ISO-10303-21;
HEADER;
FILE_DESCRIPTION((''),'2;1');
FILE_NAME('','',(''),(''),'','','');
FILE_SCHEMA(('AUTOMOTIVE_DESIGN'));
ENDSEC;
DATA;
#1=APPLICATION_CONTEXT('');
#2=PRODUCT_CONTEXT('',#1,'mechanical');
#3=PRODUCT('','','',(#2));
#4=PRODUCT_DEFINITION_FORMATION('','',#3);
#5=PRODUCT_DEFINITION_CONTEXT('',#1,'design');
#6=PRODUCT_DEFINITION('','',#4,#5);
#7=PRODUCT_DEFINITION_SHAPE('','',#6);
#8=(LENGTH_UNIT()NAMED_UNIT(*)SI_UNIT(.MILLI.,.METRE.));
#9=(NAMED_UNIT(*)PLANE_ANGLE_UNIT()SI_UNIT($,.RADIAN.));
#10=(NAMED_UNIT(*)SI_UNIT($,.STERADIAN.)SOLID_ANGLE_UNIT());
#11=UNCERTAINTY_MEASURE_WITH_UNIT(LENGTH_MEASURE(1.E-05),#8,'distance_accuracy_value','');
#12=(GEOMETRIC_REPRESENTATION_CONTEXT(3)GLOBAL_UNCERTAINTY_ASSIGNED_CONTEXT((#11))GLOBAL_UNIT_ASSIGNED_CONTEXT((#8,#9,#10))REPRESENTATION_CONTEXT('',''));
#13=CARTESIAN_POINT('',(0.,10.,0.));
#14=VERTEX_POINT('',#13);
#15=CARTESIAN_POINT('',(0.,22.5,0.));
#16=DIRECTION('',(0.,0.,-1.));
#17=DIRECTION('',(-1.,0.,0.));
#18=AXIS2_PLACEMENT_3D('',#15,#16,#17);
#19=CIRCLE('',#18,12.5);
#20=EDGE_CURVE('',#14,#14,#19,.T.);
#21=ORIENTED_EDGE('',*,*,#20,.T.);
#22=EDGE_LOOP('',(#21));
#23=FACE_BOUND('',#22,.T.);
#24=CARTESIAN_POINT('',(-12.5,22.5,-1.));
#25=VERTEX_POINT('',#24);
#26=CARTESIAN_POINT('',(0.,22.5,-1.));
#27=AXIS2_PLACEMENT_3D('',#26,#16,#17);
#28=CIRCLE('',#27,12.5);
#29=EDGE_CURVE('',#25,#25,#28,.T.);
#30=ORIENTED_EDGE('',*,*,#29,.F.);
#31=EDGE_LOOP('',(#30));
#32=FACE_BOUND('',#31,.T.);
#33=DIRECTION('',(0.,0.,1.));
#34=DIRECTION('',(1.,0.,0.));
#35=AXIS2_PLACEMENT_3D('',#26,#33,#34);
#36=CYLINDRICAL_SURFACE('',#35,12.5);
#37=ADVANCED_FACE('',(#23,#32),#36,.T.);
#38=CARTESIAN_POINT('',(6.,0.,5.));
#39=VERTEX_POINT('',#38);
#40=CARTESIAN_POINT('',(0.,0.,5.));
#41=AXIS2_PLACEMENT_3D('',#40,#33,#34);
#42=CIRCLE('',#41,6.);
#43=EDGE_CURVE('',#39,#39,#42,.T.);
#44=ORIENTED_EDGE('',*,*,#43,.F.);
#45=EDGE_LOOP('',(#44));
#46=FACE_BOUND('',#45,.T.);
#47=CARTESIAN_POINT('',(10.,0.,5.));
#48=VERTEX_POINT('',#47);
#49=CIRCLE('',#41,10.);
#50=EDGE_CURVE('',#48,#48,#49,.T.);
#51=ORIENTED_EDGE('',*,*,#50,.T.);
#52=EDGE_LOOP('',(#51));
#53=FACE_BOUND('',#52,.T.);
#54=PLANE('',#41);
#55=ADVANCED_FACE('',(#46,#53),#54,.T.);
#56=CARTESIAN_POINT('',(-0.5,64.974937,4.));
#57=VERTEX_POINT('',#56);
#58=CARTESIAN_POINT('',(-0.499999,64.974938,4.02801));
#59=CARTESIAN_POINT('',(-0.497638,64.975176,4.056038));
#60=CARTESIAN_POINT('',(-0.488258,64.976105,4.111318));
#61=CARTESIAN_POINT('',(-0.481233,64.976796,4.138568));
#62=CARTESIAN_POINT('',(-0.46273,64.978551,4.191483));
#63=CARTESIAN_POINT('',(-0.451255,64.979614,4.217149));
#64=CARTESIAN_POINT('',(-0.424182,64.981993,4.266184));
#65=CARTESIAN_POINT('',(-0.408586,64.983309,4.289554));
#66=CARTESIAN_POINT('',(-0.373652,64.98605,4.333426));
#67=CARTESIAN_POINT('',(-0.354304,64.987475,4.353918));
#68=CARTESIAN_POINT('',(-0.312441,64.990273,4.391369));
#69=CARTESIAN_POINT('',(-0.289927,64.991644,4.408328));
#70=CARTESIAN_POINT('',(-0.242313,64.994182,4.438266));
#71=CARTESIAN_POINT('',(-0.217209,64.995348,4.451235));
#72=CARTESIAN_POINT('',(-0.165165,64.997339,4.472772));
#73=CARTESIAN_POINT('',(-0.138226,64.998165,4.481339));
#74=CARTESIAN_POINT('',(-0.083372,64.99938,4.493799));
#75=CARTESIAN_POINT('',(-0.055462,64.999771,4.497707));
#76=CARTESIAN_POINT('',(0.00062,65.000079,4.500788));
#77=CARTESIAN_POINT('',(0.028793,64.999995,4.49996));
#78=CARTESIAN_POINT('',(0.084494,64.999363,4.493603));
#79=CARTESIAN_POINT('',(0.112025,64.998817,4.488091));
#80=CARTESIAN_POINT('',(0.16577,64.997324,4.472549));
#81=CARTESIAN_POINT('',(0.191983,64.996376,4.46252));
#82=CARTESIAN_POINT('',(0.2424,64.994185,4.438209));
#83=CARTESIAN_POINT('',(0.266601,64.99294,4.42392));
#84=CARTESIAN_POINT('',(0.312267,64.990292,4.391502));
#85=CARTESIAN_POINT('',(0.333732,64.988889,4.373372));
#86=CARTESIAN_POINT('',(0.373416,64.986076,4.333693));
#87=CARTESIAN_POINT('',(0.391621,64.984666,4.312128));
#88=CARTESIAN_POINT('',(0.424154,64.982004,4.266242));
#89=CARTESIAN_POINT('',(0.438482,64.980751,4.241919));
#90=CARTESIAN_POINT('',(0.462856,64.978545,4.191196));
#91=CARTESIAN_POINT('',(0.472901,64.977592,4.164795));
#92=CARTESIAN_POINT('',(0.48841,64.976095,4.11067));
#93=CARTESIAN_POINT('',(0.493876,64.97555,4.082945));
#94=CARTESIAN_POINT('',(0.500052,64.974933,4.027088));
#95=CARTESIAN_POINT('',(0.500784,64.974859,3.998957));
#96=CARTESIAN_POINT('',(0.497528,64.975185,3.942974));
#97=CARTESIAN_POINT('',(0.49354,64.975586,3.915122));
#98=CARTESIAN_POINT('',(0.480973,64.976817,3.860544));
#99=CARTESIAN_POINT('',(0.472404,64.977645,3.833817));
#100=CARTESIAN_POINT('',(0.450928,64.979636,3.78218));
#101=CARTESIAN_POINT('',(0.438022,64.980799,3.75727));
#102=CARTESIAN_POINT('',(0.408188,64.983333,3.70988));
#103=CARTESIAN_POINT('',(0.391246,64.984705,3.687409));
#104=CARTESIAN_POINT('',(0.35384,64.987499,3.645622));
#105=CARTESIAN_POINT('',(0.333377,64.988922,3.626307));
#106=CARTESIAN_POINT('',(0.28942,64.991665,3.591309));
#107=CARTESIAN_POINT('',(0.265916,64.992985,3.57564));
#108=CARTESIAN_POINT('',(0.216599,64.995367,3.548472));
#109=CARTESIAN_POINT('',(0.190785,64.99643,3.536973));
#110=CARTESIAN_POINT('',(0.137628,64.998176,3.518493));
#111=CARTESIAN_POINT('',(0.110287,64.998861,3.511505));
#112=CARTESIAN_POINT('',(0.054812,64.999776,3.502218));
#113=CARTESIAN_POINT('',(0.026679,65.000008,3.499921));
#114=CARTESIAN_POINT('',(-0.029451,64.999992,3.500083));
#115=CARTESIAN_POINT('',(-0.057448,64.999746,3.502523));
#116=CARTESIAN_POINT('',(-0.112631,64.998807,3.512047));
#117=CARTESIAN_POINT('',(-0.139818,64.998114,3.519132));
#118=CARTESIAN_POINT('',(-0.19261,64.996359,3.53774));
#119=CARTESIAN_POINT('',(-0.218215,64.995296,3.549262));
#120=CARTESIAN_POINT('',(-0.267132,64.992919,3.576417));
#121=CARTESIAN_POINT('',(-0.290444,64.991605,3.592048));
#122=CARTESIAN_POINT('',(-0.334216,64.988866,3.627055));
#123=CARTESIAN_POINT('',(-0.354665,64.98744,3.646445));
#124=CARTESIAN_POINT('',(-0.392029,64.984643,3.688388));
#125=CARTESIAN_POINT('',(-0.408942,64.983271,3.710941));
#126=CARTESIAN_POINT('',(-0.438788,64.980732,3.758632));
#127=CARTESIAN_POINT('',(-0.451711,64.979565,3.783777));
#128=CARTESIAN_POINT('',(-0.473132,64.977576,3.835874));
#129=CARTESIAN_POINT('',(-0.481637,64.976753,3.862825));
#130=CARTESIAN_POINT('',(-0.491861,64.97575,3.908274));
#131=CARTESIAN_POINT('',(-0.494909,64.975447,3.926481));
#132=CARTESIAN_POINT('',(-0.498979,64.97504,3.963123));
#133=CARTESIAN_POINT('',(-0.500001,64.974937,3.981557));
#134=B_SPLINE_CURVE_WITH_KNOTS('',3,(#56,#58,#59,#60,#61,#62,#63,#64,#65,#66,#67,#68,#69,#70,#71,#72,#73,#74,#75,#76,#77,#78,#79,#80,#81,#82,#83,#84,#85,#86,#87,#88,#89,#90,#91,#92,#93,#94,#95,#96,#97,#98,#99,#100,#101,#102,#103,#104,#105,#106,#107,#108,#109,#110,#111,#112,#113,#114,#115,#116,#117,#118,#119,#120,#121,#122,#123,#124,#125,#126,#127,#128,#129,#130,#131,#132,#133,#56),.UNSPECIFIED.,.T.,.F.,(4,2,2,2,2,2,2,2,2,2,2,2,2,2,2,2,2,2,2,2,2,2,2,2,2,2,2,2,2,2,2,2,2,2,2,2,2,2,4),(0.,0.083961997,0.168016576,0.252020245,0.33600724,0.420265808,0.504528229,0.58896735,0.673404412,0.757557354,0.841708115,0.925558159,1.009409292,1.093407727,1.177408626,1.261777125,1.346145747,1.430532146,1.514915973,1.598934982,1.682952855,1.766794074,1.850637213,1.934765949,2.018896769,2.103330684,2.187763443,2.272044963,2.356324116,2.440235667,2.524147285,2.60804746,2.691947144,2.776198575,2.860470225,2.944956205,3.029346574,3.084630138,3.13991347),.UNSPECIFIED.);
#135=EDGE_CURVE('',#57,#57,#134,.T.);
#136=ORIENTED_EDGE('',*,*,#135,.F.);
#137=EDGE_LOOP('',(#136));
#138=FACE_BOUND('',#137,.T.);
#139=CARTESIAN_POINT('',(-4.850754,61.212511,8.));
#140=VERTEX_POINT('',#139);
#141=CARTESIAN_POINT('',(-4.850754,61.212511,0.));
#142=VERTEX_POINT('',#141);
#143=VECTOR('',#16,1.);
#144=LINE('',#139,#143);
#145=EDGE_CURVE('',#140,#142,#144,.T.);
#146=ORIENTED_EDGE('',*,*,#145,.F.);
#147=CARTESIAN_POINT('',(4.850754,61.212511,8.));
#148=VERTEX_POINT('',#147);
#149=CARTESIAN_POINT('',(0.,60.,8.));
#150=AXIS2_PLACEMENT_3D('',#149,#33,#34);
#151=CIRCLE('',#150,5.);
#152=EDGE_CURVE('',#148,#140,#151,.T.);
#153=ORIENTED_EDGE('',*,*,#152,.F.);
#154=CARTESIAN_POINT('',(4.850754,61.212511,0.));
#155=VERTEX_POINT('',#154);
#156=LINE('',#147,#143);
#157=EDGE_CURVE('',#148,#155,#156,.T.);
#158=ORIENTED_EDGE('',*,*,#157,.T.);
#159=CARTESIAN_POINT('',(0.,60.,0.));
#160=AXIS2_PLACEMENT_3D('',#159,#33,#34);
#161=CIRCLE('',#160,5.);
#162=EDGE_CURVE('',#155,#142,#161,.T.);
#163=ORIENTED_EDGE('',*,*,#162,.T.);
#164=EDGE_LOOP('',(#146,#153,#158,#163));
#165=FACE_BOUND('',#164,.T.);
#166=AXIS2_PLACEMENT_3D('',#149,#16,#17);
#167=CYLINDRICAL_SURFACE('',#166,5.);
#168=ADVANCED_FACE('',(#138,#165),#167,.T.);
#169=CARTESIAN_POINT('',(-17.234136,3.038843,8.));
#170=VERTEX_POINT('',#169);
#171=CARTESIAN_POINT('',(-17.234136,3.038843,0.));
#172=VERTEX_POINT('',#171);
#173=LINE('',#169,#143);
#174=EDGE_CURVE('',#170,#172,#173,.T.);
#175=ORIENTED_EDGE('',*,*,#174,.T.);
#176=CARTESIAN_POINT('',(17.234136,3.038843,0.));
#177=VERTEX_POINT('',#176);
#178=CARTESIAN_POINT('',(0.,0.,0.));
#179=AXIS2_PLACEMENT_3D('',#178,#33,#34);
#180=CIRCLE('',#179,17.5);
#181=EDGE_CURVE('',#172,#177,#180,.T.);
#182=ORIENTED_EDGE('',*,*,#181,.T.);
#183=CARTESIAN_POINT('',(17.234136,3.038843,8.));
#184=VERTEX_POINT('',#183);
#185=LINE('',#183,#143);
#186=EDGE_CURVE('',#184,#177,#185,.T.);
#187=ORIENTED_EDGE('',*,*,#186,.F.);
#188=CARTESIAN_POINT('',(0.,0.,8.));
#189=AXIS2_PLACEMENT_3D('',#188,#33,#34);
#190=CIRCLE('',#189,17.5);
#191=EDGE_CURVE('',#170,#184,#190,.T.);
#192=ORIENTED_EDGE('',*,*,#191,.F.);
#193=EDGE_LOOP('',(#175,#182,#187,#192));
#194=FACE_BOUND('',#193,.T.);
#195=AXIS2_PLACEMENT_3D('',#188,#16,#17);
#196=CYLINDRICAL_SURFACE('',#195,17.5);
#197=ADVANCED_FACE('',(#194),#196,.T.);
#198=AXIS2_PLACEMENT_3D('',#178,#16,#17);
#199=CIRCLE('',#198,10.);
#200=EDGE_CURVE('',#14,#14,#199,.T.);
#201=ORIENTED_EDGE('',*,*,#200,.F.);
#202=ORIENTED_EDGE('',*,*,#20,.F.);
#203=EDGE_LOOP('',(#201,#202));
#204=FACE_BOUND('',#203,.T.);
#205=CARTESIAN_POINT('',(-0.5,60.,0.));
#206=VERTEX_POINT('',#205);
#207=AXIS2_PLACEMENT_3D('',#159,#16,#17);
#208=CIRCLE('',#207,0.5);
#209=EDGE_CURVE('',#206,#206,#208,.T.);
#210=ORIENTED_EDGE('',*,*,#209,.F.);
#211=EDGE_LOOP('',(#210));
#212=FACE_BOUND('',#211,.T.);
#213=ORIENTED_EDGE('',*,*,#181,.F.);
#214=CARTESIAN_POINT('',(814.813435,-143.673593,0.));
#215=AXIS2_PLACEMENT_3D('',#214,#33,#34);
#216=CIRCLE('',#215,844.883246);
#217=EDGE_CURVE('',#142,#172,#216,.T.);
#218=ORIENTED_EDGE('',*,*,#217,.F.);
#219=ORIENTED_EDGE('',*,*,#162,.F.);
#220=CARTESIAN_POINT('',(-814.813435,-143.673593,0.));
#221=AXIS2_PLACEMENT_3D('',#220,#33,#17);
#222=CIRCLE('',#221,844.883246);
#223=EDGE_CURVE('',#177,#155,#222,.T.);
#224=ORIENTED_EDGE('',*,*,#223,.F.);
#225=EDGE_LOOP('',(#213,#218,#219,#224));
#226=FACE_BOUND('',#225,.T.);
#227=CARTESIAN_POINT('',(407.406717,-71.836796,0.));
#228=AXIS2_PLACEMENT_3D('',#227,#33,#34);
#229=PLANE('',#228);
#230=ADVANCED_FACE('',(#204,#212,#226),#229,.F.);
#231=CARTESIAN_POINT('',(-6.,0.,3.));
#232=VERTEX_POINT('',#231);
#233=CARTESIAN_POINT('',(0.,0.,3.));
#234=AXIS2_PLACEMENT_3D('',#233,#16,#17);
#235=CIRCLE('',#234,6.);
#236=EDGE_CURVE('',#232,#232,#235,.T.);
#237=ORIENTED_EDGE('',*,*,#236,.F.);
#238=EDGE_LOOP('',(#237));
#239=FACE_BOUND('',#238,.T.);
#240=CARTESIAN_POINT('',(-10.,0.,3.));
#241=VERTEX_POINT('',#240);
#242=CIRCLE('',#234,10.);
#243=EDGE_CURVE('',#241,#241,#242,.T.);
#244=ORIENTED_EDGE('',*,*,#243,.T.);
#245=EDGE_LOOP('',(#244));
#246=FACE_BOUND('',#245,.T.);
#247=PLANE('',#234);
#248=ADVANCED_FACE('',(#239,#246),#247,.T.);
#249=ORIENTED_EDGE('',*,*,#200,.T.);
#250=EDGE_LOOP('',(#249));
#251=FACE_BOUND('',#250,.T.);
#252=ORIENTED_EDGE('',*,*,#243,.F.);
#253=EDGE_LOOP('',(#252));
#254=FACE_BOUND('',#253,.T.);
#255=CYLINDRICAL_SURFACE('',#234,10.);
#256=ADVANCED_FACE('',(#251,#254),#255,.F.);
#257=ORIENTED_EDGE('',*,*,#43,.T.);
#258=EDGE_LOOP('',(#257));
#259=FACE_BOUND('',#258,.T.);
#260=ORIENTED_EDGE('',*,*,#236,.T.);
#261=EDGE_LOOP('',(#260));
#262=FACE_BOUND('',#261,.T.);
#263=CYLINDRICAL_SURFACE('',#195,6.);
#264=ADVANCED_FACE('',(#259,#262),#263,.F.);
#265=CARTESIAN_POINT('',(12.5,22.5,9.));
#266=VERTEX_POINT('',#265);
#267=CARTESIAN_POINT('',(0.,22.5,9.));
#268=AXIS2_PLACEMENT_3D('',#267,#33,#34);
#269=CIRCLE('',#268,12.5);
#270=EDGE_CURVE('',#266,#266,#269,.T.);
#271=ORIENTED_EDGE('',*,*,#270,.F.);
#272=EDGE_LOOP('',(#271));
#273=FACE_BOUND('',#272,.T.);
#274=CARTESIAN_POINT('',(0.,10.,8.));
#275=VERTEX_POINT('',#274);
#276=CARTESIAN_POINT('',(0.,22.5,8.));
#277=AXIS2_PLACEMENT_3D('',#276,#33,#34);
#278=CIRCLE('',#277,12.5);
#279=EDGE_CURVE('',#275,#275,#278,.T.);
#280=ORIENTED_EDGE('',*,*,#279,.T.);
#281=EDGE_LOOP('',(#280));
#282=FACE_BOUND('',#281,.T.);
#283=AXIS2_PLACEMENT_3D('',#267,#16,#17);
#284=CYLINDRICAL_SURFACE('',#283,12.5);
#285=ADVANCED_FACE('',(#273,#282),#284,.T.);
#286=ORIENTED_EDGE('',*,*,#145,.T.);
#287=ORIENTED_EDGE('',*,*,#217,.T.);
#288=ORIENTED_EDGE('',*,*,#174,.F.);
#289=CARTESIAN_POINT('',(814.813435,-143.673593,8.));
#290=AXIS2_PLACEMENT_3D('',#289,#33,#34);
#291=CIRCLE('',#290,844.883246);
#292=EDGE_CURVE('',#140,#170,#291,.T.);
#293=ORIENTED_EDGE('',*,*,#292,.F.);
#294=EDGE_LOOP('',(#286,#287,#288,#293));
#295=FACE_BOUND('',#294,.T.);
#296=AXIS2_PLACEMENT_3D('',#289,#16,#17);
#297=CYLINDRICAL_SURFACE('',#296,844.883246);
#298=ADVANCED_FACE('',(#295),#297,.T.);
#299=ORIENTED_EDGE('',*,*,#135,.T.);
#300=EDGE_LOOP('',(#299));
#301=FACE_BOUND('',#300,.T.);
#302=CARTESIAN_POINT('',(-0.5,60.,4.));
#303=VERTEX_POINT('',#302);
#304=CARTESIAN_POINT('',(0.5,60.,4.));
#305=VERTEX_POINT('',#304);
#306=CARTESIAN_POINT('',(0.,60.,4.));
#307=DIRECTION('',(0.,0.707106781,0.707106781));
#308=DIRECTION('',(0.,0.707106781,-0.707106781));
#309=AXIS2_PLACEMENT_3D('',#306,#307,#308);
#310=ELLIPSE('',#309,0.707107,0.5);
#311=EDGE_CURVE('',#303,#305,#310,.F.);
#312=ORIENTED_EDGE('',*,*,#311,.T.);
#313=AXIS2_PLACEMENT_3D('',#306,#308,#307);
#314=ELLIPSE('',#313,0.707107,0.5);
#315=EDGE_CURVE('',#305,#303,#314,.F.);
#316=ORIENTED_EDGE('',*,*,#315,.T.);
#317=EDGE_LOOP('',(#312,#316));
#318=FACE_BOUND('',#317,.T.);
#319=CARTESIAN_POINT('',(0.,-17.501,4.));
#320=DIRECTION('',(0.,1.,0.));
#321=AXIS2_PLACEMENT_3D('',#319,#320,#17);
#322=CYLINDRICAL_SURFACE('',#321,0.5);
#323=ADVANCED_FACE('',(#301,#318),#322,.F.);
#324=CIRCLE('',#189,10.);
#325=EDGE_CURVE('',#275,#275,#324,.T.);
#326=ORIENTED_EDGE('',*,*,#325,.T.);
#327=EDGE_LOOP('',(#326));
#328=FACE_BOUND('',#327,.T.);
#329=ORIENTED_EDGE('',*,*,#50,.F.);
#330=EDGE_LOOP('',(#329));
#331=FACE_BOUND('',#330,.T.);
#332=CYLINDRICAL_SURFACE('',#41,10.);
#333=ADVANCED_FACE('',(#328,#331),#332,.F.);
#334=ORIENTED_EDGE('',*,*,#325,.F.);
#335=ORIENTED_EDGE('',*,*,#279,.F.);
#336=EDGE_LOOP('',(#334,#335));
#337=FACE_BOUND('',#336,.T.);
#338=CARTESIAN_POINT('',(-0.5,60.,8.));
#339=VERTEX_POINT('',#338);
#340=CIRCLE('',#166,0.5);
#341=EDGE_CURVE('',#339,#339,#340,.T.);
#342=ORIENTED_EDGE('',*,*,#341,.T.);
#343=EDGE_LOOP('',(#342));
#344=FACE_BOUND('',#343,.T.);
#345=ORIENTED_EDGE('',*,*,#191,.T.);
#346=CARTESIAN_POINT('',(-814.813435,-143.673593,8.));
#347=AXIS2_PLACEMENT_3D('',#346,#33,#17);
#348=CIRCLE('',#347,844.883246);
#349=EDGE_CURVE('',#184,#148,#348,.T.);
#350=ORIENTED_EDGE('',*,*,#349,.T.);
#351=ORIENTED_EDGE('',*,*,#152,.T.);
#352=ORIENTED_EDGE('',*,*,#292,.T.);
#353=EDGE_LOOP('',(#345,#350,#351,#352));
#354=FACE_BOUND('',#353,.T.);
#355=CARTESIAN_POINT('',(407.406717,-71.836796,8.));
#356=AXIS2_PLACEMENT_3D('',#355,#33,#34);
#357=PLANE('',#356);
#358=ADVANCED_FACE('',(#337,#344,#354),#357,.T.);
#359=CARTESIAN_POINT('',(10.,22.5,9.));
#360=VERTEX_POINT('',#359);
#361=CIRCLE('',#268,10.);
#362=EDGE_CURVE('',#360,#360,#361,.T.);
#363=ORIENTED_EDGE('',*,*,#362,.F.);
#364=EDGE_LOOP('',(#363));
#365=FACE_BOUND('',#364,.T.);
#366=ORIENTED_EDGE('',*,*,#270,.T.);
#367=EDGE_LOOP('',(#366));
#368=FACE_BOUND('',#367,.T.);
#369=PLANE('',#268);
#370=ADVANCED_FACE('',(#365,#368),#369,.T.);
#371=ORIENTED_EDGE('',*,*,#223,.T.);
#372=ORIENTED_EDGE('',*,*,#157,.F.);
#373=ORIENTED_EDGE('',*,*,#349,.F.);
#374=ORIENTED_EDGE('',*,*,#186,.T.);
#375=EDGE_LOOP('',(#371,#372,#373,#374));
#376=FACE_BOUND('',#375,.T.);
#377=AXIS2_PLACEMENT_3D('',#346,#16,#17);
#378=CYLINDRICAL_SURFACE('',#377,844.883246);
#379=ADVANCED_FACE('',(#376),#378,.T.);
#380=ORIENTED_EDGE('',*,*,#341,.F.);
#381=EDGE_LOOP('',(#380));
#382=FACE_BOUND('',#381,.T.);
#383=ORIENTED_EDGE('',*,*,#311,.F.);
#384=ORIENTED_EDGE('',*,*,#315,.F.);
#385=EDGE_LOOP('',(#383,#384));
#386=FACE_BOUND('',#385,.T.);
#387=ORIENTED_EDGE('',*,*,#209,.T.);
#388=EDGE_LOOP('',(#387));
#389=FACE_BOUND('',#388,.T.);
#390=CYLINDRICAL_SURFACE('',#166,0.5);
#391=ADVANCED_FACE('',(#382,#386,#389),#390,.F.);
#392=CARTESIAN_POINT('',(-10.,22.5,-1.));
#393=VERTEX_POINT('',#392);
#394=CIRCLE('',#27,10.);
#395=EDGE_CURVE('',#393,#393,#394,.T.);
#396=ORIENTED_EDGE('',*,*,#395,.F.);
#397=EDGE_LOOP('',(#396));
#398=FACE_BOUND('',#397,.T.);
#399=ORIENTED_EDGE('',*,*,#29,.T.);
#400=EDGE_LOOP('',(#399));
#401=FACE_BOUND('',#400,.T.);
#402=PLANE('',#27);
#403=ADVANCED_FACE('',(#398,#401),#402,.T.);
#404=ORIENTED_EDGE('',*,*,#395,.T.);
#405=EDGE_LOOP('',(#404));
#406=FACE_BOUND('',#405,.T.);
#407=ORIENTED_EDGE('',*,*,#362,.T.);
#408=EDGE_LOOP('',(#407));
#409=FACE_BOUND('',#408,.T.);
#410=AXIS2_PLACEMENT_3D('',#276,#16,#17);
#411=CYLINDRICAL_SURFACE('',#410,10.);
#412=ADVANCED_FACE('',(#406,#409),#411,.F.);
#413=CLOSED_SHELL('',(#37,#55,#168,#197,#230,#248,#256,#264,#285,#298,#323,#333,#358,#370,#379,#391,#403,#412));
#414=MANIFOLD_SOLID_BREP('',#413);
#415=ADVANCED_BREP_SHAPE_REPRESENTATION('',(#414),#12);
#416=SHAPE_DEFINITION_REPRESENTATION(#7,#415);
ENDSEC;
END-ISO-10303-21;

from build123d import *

# Parameters (mm, degrees)
SKETCH_1_R               = 6
EXTRUDE_2_DEPTH          = 8
CUT_EXTRUDE_START        = -3
SKETCH_2_R               = 10
SKETCH_2_R_2             = 6
CUT_EXTRUDE_1_DEPTH      = 3
SKETCH_3_R               = 10
SKETCH_3_R_2             = 6
CUT_EXTRUDE_2_DEPTH      = 3
SKETCH_5_R               = 0.5
CUT_EXTRUDE_3_DEPTH      = 68.788273322
SKETCH_6_R               = 10
CUT_EXTRUDE_4_DEPTH      = 68.788273322
EXTRUDE_START            = 1
SKETCH_7_R               = 12.5
SKETCH_7_R_2             = 10
EXTRUDE_3_DEPTH          = 1
SKETCH_8_R               = 12.5
SKETCH_8_R_2             = 10
EXTRUDE_4_DEPTH          = 1
CUT_EXTRUDE_5_REACH      = 86.815
CUT_EXTRUDE_5_END_RADIUS = 0.5
SKETCH_10_R              = 0.5


with BuildPart() as part:
    # 草图1 → 凸台-拉伸2 (new body)
    with BuildSketch(Plane.XY):
        with BuildLine():
            ThreePointArc((4.850754193, 61.212511345), (0, 65), (-4.850754193, 61.212511345))
            ThreePointArc((-4.850754193, 61.212511345), (-11.55450868, 32.234679821), (-17.234135678, 3.038843109))
            ThreePointArc((-17.234135678, 3.038843109), (0, -17.5), (17.234135678, 3.038843109))
            ThreePointArc((17.234135678, 3.038843109), (11.55450868, 32.234679821), (4.850754193, 61.212511345))
        make_face()
        Circle(SKETCH_1_R, mode=Mode.SUBTRACT)
    extrude(amount=EXTRUDE_2_DEPTH)

    # 草图2 → 切除-拉伸1 (cut)
    with BuildSketch(Plane.XY.offset(8).offset(CUT_EXTRUDE_START)):
        Circle(SKETCH_2_R)
        Circle(SKETCH_2_R_2, mode=Mode.SUBTRACT)
    extrude(amount=CUT_EXTRUDE_1_DEPTH, mode=Mode.SUBTRACT)

    # 草图3 → 切除-拉伸2 (cut)
    with BuildSketch(Plane(origin=(0, 0, 0), x_dir=(-1, 0, 0), z_dir=(0, 0, -1))):
        with Locations(Location((0, 0, 0), (0, 0, 180))):
            Circle(SKETCH_3_R)
        Circle(SKETCH_3_R_2, mode=Mode.SUBTRACT)
    extrude(amount=-CUT_EXTRUDE_2_DEPTH, mode=Mode.SUBTRACT)

    # 草图5 → 切除-拉伸3 (cut, through all)
    with BuildSketch(Plane(origin=(0, 0, 0), x_dir=(-1, 0, 0), z_dir=(0, 0, -1))):
        with Locations((0, 60)):
            Circle(SKETCH_5_R)
    extrude(amount=-CUT_EXTRUDE_3_DEPTH, mode=Mode.SUBTRACT)

    # 草图6 → 切除-拉伸4 (cut, through all)
    with BuildSketch(Plane(origin=(0, 0, 0), x_dir=(-1, 0, 0), z_dir=(0, 0, -1))):
        with Locations((0, 22.5)):
            Circle(SKETCH_6_R)
    extrude(amount=-CUT_EXTRUDE_4_DEPTH, mode=Mode.SUBTRACT)

    # 草图7 → 凸台-拉伸3 (add)
    with BuildSketch(Plane(origin=(0, 0, 0), x_dir=(-1, 0, 0), z_dir=(0, 0, -1)).offset(EXTRUDE_START)):
        with Locations(Location((0, 22.5, 0), (0, 0, 270))):
            Circle(SKETCH_7_R)
        with Locations((0, 22.5)):
            Circle(SKETCH_7_R_2, mode=Mode.SUBTRACT)
    extrude(amount=-EXTRUDE_3_DEPTH)

    # 草图8 → 凸台-拉伸4 (add)
    with BuildSketch(Plane.XY.offset(8)):
        with Locations(Location((0, 22.5, 0), (0, 0, 270))):
            Circle(SKETCH_8_R)
        with Locations(Location((0, 22.5, 0), (0, 0, 180))):
            Circle(SKETCH_8_R_2, mode=Mode.SUBTRACT)
    extrude(amount=EXTRUDE_4_DEPTH)

    # 切除-拉伸5: up to this cylinder (the profile starts outside it)
    cut_extrude_5_end = Plane(origin=(0, 60, 4), z_dir=(0, 0, -1)) * Cylinder(CUT_EXTRUDE_5_END_RADIUS, 175.63, mode=Mode.PRIVATE)
    # 草图10 → 切除-拉伸5 (cut, up to the surface)
    with BuildSketch(Plane(origin=(0, 65, 0), x_dir=(1, 0, 0), z_dir=(0, 1, 0)), mode=Mode.PRIVATE) as cut_extrude_5_sk1:
        with Locations(Location((0, -4, 0), (0, 0, 180))):
            Circle(SKETCH_10_R)
    cut_extrude_5_tool1 = extrude(cut_extrude_5_sk1.sketch, amount=-CUT_EXTRUDE_5_REACH, mode=Mode.PRIVATE) - cut_extrude_5_end
    add(cut_extrude_5_tool1.solids().sort_by_distance((0, 65, 4))[0], mode=Mode.SUBTRACT)


solid = part.part
